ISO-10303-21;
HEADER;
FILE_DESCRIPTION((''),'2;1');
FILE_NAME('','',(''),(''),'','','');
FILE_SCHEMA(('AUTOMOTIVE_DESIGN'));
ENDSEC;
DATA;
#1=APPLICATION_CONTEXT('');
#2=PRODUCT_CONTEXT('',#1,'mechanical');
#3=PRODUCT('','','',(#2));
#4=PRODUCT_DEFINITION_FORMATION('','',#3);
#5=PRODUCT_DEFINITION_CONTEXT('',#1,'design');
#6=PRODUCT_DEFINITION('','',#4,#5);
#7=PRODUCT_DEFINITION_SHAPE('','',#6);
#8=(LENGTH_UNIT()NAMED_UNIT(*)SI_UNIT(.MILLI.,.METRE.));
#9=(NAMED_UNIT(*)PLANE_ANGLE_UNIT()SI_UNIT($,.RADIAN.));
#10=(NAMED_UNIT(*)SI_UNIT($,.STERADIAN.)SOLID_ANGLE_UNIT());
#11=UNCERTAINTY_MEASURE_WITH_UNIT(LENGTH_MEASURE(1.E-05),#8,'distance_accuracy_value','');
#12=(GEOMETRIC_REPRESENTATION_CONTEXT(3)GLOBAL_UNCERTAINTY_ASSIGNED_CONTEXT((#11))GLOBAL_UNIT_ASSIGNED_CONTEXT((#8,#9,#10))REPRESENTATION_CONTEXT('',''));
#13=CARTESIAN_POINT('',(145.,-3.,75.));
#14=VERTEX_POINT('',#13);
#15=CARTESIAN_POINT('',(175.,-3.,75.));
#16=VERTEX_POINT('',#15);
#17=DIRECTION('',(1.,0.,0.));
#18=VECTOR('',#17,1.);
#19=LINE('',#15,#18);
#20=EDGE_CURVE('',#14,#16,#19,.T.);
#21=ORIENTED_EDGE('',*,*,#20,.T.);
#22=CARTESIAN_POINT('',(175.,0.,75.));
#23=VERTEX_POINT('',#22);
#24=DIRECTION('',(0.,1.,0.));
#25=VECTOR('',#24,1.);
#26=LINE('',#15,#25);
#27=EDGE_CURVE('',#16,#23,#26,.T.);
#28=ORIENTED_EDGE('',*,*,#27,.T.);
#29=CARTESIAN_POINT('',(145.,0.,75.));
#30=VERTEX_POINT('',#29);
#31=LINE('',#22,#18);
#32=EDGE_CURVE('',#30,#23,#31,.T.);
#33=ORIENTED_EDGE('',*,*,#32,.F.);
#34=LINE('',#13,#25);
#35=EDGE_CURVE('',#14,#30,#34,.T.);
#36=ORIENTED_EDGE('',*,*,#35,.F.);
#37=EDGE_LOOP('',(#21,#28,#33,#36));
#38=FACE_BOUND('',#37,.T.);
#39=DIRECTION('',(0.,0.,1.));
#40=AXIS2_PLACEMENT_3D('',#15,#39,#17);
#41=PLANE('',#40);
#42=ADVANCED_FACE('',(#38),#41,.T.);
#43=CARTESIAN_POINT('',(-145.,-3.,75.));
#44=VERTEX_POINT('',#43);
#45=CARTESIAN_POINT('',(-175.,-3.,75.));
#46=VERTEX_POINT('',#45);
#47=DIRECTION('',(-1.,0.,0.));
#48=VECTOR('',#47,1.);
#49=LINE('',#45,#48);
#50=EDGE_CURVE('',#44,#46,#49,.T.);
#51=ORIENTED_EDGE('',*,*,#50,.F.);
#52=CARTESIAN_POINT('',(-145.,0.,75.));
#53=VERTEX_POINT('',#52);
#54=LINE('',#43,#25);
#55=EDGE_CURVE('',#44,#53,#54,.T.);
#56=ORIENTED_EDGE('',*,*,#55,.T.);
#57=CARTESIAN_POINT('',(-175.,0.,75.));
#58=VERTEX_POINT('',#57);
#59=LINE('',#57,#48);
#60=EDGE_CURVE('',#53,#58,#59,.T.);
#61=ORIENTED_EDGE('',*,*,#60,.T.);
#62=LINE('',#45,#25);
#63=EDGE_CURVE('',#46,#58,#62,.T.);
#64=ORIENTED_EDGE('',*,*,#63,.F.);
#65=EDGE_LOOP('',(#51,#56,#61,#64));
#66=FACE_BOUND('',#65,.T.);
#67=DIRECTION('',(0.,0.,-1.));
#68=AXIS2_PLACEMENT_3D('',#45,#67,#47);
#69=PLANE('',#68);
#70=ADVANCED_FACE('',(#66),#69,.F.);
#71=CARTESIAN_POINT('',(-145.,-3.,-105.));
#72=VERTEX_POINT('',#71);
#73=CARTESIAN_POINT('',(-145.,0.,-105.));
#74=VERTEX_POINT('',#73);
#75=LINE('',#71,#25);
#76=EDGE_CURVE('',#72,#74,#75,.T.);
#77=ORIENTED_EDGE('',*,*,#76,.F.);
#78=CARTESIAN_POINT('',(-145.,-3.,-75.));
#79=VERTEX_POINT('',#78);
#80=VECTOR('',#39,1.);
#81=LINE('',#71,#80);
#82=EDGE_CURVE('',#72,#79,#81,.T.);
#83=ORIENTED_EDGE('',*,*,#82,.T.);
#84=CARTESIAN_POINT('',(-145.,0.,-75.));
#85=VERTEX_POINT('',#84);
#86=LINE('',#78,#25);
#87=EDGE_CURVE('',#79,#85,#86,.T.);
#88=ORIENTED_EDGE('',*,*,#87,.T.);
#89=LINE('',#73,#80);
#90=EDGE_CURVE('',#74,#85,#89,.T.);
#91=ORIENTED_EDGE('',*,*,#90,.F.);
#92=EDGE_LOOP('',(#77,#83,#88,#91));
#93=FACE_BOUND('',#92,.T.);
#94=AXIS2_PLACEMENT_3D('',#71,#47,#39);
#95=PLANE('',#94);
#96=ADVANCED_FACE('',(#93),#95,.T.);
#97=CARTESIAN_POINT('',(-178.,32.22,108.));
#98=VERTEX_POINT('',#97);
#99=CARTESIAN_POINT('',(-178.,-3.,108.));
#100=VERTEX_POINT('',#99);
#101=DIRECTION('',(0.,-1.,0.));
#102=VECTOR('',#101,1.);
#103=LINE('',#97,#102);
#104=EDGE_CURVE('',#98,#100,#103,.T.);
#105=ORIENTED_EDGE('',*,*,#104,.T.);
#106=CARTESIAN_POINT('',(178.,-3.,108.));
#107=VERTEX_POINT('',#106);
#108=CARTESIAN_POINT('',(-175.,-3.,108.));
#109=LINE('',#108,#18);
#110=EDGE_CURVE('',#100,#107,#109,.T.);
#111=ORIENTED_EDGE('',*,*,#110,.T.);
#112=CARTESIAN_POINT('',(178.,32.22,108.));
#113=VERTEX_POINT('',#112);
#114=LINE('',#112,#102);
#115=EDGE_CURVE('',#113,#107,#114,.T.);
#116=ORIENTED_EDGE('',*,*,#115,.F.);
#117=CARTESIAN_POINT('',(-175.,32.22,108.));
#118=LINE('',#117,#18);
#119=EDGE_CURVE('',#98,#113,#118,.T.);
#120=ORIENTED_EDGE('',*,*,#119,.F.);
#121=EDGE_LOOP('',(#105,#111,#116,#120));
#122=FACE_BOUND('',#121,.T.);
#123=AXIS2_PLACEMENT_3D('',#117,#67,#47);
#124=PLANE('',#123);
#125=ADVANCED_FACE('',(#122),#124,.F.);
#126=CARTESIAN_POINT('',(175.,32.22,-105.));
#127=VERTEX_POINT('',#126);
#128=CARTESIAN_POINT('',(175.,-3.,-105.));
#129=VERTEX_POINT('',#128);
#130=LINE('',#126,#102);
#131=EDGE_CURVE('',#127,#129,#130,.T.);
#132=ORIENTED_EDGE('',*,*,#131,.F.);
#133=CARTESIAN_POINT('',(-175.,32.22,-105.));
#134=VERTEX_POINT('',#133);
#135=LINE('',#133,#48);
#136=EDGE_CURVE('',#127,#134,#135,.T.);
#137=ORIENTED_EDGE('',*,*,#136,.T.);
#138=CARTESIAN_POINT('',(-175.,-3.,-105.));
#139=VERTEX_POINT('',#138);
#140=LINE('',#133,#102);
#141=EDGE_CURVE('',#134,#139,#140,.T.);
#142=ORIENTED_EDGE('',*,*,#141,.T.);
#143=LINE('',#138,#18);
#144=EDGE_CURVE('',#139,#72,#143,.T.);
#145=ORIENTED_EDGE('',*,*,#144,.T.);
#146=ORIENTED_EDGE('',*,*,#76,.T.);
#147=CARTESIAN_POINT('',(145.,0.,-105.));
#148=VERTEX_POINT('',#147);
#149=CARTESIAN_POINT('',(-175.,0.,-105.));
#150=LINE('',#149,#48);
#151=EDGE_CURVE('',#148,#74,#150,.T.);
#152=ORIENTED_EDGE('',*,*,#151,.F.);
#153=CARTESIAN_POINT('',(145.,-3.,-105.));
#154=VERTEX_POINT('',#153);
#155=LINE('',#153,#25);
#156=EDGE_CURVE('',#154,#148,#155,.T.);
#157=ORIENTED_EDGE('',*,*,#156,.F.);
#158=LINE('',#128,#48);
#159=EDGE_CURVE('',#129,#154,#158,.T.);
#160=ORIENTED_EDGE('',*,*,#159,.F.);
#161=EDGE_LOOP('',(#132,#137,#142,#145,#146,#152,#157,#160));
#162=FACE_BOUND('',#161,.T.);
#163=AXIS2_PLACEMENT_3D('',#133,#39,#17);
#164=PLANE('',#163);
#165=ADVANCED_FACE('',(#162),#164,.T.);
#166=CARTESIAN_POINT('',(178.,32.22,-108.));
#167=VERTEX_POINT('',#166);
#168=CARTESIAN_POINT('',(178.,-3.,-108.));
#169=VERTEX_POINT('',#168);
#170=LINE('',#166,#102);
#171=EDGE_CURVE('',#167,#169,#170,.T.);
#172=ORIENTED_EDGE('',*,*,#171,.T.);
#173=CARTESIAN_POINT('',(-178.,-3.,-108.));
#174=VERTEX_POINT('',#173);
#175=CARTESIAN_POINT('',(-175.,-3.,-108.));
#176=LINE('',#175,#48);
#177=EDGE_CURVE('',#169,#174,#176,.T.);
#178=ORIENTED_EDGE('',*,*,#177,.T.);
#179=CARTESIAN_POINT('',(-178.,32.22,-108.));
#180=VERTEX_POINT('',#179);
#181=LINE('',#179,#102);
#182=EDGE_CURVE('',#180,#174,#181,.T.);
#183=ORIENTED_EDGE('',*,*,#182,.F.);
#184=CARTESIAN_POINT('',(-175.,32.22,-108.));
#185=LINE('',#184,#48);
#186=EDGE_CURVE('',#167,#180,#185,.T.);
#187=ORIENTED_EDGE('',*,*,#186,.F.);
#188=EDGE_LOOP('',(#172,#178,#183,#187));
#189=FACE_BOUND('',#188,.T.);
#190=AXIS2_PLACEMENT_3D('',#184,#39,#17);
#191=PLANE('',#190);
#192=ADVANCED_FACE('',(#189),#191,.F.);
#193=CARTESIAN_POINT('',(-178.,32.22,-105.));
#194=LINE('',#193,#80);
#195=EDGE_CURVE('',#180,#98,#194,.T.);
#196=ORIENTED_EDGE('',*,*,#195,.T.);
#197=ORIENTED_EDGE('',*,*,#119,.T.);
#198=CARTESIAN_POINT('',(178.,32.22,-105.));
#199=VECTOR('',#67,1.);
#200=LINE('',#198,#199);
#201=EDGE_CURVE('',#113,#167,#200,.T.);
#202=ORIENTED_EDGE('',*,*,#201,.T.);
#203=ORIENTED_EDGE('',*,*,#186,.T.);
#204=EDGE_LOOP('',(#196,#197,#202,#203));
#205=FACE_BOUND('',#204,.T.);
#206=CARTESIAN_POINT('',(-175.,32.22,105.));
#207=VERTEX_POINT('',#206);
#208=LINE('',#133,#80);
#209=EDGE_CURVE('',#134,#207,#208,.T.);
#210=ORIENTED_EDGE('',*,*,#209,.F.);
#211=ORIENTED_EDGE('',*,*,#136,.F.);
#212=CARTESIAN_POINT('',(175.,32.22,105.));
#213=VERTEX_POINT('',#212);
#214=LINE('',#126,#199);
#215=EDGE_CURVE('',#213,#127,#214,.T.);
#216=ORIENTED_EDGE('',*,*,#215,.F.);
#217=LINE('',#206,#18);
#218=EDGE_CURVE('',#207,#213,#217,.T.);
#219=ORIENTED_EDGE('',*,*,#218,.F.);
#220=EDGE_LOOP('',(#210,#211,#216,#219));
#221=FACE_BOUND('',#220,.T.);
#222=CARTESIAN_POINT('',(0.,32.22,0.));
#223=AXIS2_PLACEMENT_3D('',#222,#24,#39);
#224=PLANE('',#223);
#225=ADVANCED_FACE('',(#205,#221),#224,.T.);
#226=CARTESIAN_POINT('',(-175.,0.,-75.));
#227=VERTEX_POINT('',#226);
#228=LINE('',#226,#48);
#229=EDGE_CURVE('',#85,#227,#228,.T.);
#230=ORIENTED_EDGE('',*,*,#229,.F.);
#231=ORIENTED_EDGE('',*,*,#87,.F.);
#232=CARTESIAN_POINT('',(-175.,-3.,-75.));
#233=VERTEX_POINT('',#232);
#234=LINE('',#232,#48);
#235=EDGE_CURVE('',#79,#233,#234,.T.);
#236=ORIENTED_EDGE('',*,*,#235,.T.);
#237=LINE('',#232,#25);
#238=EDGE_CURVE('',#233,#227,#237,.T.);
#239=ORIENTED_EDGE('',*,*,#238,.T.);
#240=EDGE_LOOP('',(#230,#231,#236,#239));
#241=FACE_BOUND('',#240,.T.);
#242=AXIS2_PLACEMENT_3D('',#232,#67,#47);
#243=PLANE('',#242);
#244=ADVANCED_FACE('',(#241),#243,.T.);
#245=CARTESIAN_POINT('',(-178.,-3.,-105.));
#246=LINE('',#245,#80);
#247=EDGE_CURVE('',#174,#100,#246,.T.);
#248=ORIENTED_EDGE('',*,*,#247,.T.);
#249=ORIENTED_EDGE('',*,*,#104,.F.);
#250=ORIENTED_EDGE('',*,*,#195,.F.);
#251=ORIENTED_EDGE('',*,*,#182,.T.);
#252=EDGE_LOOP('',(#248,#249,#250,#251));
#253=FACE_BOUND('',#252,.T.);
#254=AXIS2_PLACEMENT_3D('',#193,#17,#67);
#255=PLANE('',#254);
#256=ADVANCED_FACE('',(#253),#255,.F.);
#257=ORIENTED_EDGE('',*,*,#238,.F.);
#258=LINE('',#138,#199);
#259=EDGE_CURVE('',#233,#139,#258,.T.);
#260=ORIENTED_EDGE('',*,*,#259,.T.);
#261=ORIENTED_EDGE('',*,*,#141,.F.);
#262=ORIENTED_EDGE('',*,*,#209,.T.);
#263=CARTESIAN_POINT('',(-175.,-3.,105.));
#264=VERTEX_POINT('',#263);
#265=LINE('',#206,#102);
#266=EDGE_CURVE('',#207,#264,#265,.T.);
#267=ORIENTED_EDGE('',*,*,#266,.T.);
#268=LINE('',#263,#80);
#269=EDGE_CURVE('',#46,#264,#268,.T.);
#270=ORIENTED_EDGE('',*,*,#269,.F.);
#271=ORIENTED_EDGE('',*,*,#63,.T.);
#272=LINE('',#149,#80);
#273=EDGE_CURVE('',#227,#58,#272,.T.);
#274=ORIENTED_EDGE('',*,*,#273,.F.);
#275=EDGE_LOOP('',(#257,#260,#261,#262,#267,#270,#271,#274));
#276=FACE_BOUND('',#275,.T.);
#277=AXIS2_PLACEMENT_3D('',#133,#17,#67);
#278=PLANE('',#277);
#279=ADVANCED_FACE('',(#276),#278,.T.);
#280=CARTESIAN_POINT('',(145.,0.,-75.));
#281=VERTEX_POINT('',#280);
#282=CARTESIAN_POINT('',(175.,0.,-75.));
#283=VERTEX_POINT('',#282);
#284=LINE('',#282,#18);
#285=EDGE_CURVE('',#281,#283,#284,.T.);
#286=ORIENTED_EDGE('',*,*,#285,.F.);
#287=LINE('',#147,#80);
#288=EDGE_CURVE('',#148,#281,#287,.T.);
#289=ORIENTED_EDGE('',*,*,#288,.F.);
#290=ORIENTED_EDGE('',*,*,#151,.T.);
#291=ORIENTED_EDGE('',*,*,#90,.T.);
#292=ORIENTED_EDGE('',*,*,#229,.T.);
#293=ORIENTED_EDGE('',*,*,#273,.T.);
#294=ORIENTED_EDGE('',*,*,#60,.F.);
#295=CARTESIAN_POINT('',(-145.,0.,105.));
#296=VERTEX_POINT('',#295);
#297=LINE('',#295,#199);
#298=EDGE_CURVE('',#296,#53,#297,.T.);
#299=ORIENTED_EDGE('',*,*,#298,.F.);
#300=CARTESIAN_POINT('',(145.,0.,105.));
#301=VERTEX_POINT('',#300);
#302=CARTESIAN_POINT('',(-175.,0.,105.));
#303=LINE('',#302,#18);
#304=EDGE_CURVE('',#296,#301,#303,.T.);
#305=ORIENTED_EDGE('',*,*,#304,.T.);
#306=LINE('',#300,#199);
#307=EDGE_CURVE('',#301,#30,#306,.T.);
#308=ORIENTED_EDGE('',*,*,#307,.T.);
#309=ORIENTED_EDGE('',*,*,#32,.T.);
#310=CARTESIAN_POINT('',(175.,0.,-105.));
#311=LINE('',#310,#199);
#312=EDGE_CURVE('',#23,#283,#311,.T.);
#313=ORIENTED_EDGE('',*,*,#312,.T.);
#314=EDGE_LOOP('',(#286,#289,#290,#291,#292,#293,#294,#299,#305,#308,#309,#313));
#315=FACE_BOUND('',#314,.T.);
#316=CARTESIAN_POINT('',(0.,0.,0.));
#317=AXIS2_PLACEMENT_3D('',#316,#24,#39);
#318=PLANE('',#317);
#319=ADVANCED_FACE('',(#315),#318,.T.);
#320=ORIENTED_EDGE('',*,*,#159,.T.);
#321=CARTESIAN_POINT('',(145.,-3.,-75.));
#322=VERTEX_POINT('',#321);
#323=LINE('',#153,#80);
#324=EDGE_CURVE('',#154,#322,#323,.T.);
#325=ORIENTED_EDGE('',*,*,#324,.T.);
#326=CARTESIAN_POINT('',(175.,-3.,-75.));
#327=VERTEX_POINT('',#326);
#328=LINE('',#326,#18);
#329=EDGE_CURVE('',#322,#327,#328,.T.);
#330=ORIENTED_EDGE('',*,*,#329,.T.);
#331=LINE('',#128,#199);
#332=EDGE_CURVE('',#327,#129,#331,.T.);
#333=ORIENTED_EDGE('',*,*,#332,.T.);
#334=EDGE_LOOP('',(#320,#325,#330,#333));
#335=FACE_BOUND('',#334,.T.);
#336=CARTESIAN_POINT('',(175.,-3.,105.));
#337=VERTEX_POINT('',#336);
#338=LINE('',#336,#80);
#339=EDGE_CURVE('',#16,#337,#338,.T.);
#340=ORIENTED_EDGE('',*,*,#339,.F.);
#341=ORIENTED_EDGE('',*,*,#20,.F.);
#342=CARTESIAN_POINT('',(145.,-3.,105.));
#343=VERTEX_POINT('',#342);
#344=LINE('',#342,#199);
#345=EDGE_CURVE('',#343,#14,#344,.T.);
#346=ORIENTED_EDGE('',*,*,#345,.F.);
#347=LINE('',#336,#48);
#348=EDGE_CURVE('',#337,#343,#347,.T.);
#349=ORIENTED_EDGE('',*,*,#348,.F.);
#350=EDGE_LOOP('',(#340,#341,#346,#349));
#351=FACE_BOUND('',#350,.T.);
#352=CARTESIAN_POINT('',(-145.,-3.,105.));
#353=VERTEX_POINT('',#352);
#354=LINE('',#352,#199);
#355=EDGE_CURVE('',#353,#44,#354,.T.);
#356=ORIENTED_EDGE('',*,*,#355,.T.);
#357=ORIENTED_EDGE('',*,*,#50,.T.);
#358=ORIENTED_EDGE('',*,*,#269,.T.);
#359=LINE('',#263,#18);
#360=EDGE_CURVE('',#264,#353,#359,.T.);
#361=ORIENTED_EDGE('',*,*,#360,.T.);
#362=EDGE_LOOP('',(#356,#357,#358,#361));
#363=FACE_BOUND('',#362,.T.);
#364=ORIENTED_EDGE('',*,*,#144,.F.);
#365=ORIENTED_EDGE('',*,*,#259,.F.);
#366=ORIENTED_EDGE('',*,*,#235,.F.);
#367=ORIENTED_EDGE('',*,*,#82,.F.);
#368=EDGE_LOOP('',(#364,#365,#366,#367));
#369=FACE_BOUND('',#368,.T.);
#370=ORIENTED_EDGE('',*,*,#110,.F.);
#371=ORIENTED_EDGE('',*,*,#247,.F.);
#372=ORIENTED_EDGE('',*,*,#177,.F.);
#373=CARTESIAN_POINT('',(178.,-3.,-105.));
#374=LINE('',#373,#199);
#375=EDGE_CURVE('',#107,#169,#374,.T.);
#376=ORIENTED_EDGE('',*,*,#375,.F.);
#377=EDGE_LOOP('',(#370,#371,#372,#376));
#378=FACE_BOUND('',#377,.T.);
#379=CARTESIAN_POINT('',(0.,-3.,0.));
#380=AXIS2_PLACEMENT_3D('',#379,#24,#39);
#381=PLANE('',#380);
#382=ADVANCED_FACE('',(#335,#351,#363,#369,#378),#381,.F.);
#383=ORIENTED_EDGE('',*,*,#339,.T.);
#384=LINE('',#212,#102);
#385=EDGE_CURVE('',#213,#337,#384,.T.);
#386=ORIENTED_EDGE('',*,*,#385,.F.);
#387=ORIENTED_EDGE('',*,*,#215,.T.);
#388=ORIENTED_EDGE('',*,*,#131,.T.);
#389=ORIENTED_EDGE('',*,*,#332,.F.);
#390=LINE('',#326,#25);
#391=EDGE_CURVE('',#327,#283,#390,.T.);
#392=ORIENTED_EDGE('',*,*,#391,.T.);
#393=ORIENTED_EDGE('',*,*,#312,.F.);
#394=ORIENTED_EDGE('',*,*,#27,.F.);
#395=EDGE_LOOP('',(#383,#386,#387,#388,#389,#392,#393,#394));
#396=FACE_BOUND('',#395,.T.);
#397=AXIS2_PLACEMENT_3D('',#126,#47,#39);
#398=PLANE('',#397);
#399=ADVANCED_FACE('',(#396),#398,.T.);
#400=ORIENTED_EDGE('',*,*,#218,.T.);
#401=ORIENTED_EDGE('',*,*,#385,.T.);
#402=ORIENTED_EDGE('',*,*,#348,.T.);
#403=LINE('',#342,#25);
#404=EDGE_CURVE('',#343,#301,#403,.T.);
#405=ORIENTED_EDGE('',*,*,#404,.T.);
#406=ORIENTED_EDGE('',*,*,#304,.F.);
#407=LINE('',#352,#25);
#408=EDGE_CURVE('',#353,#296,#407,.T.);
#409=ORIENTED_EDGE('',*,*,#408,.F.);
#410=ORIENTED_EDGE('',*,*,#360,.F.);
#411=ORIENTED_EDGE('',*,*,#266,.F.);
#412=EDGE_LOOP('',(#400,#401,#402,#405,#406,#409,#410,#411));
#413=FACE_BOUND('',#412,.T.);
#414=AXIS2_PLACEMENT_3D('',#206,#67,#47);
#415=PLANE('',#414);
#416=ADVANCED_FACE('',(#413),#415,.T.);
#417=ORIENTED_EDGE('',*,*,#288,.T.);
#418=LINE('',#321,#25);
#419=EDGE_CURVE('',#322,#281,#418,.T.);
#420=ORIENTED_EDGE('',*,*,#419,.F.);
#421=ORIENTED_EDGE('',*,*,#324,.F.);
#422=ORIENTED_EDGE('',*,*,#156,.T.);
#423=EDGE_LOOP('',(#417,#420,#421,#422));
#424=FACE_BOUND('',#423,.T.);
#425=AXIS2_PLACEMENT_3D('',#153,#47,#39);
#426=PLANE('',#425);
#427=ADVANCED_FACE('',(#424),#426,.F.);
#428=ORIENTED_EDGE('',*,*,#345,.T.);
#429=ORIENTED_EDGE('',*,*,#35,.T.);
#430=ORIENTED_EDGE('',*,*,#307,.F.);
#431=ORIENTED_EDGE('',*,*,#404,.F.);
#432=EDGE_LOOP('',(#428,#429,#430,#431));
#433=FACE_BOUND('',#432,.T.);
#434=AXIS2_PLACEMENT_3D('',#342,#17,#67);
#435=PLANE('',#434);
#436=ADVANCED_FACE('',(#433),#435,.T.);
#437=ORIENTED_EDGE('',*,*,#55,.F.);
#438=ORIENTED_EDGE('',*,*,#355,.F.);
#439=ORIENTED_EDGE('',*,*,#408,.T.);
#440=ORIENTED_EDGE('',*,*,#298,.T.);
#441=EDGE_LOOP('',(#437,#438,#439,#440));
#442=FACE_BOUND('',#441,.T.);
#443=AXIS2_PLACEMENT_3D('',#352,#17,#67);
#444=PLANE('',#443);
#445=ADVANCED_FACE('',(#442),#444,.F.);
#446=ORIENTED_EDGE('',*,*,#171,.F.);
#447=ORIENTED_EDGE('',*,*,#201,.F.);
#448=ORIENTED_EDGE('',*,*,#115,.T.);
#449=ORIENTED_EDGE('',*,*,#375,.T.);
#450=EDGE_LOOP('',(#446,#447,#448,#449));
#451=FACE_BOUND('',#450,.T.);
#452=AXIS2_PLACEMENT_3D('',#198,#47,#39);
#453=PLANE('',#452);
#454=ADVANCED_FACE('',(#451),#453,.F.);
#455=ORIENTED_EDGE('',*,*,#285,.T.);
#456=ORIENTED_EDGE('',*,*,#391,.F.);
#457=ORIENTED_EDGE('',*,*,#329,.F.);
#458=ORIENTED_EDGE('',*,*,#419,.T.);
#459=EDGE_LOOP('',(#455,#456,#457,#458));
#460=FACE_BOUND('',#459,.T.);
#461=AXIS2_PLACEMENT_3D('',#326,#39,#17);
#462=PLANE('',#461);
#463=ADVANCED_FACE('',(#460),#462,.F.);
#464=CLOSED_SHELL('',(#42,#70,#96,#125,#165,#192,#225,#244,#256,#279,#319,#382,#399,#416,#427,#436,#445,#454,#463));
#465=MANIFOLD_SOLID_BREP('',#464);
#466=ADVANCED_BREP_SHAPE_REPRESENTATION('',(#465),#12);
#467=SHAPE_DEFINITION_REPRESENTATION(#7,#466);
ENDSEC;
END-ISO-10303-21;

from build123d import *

# Parameters (mm, degrees)
SKETCH1_W               = 350
SKETCH1_H               = 210
BOSS_EXTRUDE1_DEPTH     = 32.22
SHELL1_T                = 3
SKETCH2_W               = 30
SKETCH2_H               = 30
CUT_EXTRUDE2_DEPTH      = 211.680156636
MIRROR2_COPY_1_SKETCH_W = 30
MIRROR2_COPY_1_SKETCH_H = 30
MIRROR2_COPY_1_DEPTH    = 211.680156636


with BuildPart() as part:
    # Sketch1 → Boss-Extrude1 (new body)
    with BuildSketch(Plane(origin=(0, 0, 0), x_dir=(1, 0, 0), z_dir=(0, 1, 0))):
        Rectangle(SKETCH1_W, SKETCH1_H)
    extrude(amount=BOSS_EXTRUDE1_DEPTH)

    # Shell1
    shell1_openings = [part.faces().sort_by_distance(p)[0] for p in [
        (0, 32.22, 0),
    ]]
    offset(amount=SHELL1_T, openings=shell1_openings, kind=Kind.INTERSECTION)

    # Sketch2 → Cut-Extrude2 (cut, through all)
    with BuildSketch(Plane(origin=(0, 0, 0), x_dir=(1, 0, 0), z_dir=(0, 1, 0))):
        with Locations((160, 90)):
            Rectangle(SKETCH2_W, SKETCH2_H)
    cut_extrude2 = extrude(amount=-CUT_EXTRUDE2_DEPTH, mode=Mode.SUBTRACT)

    # Mirror1: Cut-Extrude2 across plane
    add(cut_extrude2.mirror(Plane.XY), mode=Mode.SUBTRACT)

    # Mirror2: Cut-Extrude2 across plane
    add(cut_extrude2.mirror(Plane(origin=(0, 0, 0), x_dir=(0, 0, 1), z_dir=(1, 0, 0))), mode=Mode.SUBTRACT)

    # Mirror2 copy 1 sketch → Mirror2 copy 1 (cut, through all)
    with BuildSketch(Plane(origin=(0, 0, 0), x_dir=(-1, 0, 0), z_dir=(0, 1, 0))):
        with Locations((160, 90)):
            Rectangle(MIRROR2_COPY_1_SKETCH_W, MIRROR2_COPY_1_SKETCH_H)
    extrude(amount=-MIRROR2_COPY_1_DEPTH, mode=Mode.SUBTRACT)


solid = part.part
